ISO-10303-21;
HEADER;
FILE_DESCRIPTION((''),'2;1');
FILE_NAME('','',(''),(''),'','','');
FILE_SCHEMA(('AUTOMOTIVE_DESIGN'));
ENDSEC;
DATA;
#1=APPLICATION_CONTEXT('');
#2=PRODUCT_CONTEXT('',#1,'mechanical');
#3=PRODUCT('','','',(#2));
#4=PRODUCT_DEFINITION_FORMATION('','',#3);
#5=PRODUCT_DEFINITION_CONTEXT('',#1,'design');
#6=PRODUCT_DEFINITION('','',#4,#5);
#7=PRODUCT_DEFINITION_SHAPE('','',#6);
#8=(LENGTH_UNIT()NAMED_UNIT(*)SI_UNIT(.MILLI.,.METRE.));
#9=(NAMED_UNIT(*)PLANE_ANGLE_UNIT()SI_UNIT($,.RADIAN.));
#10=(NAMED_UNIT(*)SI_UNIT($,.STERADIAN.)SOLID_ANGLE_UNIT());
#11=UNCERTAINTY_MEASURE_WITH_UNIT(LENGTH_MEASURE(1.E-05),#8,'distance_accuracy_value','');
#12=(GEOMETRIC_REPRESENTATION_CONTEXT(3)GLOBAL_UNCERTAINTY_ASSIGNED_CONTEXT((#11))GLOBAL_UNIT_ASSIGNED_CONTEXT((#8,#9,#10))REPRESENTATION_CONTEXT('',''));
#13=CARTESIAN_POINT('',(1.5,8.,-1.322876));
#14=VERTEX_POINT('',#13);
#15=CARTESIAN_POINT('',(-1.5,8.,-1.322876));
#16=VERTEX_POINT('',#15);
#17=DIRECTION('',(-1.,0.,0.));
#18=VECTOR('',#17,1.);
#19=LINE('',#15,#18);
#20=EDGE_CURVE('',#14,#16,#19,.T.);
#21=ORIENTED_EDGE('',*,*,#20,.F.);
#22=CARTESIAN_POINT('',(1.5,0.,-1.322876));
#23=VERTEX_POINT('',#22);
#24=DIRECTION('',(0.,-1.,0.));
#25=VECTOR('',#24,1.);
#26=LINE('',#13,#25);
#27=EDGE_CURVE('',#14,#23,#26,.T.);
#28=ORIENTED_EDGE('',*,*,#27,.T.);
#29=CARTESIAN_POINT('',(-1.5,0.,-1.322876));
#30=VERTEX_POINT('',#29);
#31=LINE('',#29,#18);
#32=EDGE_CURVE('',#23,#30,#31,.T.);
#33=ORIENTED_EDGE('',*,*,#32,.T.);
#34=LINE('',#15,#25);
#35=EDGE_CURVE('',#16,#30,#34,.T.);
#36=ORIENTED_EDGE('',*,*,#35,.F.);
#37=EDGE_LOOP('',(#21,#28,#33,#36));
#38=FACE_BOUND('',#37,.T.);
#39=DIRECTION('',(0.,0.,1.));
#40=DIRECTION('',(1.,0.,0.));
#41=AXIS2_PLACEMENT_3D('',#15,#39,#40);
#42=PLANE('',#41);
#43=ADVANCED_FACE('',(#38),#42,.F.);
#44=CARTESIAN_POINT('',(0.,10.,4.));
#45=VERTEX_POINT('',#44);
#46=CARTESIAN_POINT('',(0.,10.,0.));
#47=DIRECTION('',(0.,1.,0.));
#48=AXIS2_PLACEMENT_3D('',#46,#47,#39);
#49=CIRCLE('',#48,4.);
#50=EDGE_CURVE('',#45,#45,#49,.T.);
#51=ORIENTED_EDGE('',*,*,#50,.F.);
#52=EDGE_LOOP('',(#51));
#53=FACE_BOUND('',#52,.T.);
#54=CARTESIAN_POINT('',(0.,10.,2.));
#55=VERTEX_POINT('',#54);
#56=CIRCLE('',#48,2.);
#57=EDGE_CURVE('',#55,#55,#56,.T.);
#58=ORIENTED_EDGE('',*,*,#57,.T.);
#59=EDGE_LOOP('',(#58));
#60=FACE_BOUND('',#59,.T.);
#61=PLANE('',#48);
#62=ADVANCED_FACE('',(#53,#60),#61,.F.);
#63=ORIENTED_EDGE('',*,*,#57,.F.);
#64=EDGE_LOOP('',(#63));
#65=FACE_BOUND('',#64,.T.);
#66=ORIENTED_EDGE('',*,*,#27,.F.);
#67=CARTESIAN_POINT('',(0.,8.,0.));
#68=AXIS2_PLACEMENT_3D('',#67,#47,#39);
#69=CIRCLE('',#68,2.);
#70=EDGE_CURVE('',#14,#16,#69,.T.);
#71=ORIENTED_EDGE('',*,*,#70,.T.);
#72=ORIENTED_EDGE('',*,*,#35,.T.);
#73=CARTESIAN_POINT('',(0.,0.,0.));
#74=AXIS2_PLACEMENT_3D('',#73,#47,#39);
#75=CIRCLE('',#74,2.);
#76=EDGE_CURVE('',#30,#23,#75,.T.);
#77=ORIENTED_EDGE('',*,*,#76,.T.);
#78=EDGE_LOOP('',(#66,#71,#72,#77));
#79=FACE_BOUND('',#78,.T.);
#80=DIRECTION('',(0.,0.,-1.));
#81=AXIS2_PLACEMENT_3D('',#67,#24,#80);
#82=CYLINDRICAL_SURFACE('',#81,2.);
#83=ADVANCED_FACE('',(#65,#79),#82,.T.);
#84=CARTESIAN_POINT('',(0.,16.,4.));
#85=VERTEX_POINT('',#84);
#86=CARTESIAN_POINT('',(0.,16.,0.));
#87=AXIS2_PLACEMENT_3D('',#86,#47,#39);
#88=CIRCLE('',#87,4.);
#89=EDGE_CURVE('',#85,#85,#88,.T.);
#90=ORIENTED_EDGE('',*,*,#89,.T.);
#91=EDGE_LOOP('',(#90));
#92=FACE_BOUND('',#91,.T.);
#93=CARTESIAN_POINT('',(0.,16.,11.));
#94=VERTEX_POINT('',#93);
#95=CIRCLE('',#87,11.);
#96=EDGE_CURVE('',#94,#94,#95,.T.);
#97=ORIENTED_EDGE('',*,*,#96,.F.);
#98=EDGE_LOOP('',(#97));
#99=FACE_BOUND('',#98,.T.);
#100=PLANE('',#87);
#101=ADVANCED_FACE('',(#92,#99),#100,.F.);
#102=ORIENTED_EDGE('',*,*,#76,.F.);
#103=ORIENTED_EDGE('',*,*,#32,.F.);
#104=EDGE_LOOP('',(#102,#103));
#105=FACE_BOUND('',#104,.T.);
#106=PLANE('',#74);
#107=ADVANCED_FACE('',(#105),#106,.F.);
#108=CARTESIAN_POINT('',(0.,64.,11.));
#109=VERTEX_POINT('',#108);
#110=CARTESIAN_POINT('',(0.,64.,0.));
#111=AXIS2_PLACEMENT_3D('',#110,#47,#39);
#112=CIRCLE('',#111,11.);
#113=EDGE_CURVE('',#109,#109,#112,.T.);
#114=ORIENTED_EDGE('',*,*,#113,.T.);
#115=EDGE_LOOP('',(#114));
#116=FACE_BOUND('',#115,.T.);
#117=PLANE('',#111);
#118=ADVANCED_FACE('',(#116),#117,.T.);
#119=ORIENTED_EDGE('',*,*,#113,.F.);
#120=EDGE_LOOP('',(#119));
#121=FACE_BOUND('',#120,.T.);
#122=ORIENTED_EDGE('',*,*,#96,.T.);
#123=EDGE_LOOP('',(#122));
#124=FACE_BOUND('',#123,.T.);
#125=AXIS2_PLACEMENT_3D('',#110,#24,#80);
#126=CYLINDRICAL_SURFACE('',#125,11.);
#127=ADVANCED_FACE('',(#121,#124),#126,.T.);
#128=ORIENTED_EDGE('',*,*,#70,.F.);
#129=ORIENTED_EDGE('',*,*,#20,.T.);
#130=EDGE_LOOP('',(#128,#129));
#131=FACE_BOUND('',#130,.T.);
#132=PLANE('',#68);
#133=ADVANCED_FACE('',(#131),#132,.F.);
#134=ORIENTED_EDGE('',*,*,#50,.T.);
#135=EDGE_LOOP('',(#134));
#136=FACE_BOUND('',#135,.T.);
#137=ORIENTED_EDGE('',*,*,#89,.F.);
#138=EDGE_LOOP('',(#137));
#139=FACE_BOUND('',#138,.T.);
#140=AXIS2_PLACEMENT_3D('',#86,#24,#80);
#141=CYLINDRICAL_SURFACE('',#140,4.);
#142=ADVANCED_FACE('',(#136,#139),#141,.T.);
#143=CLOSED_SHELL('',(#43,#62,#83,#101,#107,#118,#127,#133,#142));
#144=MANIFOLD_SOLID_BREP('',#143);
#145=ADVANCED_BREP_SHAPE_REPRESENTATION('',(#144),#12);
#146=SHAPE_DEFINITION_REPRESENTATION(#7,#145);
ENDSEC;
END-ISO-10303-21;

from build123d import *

# Parameters (mm, degrees)
BOSS_EXTRUDE1_DEPTH = 8
SKETCH2_R           = 2
BOSS_EXTRUDE2_DEPTH = 2
SKETCH3_R           = 4
BOSS_EXTRUDE3_DEPTH = 6
SKETCH4_R           = 11
BOSS_EXTRUDE4_DEPTH = 48


with BuildPart() as part:
    # Sketch1 → Boss-Extrude1 (new body)
    with BuildSketch(Plane(origin=(0, 0, 0), x_dir=(1, 0, 0), z_dir=(0, 1, 0))):
        with BuildLine():
            Line((-1.5, 1.322875656), (1.5, 1.322875656))
            ThreePointArc((1.5, 1.322875656), (0, -2), (-1.5, 1.322875656))
        make_face()
    extrude(amount=BOSS_EXTRUDE1_DEPTH)

    # Sketch2 → Boss-Extrude2 (add)
    with BuildSketch(Plane(origin=(0, 8, 0), x_dir=(1, 0, 0), z_dir=(0, 1, 0))):
        Circle(SKETCH2_R)
    extrude(amount=BOSS_EXTRUDE2_DEPTH)

    # Sketch3 → Boss-Extrude3 (add)
    with BuildSketch(Plane(origin=(0, 10, 0), x_dir=(1, 0, 0), z_dir=(0, 1, 0))):
        Circle(SKETCH3_R)
    extrude(amount=BOSS_EXTRUDE3_DEPTH)

    # Sketch4 → Boss-Extrude4 (add)
    with BuildSketch(Plane(origin=(0, 16, 0), x_dir=(1, 0, 0), z_dir=(0, 1, 0))):
        Circle(SKETCH4_R)
    extrude(amount=BOSS_EXTRUDE4_DEPTH)


solid = part.part
